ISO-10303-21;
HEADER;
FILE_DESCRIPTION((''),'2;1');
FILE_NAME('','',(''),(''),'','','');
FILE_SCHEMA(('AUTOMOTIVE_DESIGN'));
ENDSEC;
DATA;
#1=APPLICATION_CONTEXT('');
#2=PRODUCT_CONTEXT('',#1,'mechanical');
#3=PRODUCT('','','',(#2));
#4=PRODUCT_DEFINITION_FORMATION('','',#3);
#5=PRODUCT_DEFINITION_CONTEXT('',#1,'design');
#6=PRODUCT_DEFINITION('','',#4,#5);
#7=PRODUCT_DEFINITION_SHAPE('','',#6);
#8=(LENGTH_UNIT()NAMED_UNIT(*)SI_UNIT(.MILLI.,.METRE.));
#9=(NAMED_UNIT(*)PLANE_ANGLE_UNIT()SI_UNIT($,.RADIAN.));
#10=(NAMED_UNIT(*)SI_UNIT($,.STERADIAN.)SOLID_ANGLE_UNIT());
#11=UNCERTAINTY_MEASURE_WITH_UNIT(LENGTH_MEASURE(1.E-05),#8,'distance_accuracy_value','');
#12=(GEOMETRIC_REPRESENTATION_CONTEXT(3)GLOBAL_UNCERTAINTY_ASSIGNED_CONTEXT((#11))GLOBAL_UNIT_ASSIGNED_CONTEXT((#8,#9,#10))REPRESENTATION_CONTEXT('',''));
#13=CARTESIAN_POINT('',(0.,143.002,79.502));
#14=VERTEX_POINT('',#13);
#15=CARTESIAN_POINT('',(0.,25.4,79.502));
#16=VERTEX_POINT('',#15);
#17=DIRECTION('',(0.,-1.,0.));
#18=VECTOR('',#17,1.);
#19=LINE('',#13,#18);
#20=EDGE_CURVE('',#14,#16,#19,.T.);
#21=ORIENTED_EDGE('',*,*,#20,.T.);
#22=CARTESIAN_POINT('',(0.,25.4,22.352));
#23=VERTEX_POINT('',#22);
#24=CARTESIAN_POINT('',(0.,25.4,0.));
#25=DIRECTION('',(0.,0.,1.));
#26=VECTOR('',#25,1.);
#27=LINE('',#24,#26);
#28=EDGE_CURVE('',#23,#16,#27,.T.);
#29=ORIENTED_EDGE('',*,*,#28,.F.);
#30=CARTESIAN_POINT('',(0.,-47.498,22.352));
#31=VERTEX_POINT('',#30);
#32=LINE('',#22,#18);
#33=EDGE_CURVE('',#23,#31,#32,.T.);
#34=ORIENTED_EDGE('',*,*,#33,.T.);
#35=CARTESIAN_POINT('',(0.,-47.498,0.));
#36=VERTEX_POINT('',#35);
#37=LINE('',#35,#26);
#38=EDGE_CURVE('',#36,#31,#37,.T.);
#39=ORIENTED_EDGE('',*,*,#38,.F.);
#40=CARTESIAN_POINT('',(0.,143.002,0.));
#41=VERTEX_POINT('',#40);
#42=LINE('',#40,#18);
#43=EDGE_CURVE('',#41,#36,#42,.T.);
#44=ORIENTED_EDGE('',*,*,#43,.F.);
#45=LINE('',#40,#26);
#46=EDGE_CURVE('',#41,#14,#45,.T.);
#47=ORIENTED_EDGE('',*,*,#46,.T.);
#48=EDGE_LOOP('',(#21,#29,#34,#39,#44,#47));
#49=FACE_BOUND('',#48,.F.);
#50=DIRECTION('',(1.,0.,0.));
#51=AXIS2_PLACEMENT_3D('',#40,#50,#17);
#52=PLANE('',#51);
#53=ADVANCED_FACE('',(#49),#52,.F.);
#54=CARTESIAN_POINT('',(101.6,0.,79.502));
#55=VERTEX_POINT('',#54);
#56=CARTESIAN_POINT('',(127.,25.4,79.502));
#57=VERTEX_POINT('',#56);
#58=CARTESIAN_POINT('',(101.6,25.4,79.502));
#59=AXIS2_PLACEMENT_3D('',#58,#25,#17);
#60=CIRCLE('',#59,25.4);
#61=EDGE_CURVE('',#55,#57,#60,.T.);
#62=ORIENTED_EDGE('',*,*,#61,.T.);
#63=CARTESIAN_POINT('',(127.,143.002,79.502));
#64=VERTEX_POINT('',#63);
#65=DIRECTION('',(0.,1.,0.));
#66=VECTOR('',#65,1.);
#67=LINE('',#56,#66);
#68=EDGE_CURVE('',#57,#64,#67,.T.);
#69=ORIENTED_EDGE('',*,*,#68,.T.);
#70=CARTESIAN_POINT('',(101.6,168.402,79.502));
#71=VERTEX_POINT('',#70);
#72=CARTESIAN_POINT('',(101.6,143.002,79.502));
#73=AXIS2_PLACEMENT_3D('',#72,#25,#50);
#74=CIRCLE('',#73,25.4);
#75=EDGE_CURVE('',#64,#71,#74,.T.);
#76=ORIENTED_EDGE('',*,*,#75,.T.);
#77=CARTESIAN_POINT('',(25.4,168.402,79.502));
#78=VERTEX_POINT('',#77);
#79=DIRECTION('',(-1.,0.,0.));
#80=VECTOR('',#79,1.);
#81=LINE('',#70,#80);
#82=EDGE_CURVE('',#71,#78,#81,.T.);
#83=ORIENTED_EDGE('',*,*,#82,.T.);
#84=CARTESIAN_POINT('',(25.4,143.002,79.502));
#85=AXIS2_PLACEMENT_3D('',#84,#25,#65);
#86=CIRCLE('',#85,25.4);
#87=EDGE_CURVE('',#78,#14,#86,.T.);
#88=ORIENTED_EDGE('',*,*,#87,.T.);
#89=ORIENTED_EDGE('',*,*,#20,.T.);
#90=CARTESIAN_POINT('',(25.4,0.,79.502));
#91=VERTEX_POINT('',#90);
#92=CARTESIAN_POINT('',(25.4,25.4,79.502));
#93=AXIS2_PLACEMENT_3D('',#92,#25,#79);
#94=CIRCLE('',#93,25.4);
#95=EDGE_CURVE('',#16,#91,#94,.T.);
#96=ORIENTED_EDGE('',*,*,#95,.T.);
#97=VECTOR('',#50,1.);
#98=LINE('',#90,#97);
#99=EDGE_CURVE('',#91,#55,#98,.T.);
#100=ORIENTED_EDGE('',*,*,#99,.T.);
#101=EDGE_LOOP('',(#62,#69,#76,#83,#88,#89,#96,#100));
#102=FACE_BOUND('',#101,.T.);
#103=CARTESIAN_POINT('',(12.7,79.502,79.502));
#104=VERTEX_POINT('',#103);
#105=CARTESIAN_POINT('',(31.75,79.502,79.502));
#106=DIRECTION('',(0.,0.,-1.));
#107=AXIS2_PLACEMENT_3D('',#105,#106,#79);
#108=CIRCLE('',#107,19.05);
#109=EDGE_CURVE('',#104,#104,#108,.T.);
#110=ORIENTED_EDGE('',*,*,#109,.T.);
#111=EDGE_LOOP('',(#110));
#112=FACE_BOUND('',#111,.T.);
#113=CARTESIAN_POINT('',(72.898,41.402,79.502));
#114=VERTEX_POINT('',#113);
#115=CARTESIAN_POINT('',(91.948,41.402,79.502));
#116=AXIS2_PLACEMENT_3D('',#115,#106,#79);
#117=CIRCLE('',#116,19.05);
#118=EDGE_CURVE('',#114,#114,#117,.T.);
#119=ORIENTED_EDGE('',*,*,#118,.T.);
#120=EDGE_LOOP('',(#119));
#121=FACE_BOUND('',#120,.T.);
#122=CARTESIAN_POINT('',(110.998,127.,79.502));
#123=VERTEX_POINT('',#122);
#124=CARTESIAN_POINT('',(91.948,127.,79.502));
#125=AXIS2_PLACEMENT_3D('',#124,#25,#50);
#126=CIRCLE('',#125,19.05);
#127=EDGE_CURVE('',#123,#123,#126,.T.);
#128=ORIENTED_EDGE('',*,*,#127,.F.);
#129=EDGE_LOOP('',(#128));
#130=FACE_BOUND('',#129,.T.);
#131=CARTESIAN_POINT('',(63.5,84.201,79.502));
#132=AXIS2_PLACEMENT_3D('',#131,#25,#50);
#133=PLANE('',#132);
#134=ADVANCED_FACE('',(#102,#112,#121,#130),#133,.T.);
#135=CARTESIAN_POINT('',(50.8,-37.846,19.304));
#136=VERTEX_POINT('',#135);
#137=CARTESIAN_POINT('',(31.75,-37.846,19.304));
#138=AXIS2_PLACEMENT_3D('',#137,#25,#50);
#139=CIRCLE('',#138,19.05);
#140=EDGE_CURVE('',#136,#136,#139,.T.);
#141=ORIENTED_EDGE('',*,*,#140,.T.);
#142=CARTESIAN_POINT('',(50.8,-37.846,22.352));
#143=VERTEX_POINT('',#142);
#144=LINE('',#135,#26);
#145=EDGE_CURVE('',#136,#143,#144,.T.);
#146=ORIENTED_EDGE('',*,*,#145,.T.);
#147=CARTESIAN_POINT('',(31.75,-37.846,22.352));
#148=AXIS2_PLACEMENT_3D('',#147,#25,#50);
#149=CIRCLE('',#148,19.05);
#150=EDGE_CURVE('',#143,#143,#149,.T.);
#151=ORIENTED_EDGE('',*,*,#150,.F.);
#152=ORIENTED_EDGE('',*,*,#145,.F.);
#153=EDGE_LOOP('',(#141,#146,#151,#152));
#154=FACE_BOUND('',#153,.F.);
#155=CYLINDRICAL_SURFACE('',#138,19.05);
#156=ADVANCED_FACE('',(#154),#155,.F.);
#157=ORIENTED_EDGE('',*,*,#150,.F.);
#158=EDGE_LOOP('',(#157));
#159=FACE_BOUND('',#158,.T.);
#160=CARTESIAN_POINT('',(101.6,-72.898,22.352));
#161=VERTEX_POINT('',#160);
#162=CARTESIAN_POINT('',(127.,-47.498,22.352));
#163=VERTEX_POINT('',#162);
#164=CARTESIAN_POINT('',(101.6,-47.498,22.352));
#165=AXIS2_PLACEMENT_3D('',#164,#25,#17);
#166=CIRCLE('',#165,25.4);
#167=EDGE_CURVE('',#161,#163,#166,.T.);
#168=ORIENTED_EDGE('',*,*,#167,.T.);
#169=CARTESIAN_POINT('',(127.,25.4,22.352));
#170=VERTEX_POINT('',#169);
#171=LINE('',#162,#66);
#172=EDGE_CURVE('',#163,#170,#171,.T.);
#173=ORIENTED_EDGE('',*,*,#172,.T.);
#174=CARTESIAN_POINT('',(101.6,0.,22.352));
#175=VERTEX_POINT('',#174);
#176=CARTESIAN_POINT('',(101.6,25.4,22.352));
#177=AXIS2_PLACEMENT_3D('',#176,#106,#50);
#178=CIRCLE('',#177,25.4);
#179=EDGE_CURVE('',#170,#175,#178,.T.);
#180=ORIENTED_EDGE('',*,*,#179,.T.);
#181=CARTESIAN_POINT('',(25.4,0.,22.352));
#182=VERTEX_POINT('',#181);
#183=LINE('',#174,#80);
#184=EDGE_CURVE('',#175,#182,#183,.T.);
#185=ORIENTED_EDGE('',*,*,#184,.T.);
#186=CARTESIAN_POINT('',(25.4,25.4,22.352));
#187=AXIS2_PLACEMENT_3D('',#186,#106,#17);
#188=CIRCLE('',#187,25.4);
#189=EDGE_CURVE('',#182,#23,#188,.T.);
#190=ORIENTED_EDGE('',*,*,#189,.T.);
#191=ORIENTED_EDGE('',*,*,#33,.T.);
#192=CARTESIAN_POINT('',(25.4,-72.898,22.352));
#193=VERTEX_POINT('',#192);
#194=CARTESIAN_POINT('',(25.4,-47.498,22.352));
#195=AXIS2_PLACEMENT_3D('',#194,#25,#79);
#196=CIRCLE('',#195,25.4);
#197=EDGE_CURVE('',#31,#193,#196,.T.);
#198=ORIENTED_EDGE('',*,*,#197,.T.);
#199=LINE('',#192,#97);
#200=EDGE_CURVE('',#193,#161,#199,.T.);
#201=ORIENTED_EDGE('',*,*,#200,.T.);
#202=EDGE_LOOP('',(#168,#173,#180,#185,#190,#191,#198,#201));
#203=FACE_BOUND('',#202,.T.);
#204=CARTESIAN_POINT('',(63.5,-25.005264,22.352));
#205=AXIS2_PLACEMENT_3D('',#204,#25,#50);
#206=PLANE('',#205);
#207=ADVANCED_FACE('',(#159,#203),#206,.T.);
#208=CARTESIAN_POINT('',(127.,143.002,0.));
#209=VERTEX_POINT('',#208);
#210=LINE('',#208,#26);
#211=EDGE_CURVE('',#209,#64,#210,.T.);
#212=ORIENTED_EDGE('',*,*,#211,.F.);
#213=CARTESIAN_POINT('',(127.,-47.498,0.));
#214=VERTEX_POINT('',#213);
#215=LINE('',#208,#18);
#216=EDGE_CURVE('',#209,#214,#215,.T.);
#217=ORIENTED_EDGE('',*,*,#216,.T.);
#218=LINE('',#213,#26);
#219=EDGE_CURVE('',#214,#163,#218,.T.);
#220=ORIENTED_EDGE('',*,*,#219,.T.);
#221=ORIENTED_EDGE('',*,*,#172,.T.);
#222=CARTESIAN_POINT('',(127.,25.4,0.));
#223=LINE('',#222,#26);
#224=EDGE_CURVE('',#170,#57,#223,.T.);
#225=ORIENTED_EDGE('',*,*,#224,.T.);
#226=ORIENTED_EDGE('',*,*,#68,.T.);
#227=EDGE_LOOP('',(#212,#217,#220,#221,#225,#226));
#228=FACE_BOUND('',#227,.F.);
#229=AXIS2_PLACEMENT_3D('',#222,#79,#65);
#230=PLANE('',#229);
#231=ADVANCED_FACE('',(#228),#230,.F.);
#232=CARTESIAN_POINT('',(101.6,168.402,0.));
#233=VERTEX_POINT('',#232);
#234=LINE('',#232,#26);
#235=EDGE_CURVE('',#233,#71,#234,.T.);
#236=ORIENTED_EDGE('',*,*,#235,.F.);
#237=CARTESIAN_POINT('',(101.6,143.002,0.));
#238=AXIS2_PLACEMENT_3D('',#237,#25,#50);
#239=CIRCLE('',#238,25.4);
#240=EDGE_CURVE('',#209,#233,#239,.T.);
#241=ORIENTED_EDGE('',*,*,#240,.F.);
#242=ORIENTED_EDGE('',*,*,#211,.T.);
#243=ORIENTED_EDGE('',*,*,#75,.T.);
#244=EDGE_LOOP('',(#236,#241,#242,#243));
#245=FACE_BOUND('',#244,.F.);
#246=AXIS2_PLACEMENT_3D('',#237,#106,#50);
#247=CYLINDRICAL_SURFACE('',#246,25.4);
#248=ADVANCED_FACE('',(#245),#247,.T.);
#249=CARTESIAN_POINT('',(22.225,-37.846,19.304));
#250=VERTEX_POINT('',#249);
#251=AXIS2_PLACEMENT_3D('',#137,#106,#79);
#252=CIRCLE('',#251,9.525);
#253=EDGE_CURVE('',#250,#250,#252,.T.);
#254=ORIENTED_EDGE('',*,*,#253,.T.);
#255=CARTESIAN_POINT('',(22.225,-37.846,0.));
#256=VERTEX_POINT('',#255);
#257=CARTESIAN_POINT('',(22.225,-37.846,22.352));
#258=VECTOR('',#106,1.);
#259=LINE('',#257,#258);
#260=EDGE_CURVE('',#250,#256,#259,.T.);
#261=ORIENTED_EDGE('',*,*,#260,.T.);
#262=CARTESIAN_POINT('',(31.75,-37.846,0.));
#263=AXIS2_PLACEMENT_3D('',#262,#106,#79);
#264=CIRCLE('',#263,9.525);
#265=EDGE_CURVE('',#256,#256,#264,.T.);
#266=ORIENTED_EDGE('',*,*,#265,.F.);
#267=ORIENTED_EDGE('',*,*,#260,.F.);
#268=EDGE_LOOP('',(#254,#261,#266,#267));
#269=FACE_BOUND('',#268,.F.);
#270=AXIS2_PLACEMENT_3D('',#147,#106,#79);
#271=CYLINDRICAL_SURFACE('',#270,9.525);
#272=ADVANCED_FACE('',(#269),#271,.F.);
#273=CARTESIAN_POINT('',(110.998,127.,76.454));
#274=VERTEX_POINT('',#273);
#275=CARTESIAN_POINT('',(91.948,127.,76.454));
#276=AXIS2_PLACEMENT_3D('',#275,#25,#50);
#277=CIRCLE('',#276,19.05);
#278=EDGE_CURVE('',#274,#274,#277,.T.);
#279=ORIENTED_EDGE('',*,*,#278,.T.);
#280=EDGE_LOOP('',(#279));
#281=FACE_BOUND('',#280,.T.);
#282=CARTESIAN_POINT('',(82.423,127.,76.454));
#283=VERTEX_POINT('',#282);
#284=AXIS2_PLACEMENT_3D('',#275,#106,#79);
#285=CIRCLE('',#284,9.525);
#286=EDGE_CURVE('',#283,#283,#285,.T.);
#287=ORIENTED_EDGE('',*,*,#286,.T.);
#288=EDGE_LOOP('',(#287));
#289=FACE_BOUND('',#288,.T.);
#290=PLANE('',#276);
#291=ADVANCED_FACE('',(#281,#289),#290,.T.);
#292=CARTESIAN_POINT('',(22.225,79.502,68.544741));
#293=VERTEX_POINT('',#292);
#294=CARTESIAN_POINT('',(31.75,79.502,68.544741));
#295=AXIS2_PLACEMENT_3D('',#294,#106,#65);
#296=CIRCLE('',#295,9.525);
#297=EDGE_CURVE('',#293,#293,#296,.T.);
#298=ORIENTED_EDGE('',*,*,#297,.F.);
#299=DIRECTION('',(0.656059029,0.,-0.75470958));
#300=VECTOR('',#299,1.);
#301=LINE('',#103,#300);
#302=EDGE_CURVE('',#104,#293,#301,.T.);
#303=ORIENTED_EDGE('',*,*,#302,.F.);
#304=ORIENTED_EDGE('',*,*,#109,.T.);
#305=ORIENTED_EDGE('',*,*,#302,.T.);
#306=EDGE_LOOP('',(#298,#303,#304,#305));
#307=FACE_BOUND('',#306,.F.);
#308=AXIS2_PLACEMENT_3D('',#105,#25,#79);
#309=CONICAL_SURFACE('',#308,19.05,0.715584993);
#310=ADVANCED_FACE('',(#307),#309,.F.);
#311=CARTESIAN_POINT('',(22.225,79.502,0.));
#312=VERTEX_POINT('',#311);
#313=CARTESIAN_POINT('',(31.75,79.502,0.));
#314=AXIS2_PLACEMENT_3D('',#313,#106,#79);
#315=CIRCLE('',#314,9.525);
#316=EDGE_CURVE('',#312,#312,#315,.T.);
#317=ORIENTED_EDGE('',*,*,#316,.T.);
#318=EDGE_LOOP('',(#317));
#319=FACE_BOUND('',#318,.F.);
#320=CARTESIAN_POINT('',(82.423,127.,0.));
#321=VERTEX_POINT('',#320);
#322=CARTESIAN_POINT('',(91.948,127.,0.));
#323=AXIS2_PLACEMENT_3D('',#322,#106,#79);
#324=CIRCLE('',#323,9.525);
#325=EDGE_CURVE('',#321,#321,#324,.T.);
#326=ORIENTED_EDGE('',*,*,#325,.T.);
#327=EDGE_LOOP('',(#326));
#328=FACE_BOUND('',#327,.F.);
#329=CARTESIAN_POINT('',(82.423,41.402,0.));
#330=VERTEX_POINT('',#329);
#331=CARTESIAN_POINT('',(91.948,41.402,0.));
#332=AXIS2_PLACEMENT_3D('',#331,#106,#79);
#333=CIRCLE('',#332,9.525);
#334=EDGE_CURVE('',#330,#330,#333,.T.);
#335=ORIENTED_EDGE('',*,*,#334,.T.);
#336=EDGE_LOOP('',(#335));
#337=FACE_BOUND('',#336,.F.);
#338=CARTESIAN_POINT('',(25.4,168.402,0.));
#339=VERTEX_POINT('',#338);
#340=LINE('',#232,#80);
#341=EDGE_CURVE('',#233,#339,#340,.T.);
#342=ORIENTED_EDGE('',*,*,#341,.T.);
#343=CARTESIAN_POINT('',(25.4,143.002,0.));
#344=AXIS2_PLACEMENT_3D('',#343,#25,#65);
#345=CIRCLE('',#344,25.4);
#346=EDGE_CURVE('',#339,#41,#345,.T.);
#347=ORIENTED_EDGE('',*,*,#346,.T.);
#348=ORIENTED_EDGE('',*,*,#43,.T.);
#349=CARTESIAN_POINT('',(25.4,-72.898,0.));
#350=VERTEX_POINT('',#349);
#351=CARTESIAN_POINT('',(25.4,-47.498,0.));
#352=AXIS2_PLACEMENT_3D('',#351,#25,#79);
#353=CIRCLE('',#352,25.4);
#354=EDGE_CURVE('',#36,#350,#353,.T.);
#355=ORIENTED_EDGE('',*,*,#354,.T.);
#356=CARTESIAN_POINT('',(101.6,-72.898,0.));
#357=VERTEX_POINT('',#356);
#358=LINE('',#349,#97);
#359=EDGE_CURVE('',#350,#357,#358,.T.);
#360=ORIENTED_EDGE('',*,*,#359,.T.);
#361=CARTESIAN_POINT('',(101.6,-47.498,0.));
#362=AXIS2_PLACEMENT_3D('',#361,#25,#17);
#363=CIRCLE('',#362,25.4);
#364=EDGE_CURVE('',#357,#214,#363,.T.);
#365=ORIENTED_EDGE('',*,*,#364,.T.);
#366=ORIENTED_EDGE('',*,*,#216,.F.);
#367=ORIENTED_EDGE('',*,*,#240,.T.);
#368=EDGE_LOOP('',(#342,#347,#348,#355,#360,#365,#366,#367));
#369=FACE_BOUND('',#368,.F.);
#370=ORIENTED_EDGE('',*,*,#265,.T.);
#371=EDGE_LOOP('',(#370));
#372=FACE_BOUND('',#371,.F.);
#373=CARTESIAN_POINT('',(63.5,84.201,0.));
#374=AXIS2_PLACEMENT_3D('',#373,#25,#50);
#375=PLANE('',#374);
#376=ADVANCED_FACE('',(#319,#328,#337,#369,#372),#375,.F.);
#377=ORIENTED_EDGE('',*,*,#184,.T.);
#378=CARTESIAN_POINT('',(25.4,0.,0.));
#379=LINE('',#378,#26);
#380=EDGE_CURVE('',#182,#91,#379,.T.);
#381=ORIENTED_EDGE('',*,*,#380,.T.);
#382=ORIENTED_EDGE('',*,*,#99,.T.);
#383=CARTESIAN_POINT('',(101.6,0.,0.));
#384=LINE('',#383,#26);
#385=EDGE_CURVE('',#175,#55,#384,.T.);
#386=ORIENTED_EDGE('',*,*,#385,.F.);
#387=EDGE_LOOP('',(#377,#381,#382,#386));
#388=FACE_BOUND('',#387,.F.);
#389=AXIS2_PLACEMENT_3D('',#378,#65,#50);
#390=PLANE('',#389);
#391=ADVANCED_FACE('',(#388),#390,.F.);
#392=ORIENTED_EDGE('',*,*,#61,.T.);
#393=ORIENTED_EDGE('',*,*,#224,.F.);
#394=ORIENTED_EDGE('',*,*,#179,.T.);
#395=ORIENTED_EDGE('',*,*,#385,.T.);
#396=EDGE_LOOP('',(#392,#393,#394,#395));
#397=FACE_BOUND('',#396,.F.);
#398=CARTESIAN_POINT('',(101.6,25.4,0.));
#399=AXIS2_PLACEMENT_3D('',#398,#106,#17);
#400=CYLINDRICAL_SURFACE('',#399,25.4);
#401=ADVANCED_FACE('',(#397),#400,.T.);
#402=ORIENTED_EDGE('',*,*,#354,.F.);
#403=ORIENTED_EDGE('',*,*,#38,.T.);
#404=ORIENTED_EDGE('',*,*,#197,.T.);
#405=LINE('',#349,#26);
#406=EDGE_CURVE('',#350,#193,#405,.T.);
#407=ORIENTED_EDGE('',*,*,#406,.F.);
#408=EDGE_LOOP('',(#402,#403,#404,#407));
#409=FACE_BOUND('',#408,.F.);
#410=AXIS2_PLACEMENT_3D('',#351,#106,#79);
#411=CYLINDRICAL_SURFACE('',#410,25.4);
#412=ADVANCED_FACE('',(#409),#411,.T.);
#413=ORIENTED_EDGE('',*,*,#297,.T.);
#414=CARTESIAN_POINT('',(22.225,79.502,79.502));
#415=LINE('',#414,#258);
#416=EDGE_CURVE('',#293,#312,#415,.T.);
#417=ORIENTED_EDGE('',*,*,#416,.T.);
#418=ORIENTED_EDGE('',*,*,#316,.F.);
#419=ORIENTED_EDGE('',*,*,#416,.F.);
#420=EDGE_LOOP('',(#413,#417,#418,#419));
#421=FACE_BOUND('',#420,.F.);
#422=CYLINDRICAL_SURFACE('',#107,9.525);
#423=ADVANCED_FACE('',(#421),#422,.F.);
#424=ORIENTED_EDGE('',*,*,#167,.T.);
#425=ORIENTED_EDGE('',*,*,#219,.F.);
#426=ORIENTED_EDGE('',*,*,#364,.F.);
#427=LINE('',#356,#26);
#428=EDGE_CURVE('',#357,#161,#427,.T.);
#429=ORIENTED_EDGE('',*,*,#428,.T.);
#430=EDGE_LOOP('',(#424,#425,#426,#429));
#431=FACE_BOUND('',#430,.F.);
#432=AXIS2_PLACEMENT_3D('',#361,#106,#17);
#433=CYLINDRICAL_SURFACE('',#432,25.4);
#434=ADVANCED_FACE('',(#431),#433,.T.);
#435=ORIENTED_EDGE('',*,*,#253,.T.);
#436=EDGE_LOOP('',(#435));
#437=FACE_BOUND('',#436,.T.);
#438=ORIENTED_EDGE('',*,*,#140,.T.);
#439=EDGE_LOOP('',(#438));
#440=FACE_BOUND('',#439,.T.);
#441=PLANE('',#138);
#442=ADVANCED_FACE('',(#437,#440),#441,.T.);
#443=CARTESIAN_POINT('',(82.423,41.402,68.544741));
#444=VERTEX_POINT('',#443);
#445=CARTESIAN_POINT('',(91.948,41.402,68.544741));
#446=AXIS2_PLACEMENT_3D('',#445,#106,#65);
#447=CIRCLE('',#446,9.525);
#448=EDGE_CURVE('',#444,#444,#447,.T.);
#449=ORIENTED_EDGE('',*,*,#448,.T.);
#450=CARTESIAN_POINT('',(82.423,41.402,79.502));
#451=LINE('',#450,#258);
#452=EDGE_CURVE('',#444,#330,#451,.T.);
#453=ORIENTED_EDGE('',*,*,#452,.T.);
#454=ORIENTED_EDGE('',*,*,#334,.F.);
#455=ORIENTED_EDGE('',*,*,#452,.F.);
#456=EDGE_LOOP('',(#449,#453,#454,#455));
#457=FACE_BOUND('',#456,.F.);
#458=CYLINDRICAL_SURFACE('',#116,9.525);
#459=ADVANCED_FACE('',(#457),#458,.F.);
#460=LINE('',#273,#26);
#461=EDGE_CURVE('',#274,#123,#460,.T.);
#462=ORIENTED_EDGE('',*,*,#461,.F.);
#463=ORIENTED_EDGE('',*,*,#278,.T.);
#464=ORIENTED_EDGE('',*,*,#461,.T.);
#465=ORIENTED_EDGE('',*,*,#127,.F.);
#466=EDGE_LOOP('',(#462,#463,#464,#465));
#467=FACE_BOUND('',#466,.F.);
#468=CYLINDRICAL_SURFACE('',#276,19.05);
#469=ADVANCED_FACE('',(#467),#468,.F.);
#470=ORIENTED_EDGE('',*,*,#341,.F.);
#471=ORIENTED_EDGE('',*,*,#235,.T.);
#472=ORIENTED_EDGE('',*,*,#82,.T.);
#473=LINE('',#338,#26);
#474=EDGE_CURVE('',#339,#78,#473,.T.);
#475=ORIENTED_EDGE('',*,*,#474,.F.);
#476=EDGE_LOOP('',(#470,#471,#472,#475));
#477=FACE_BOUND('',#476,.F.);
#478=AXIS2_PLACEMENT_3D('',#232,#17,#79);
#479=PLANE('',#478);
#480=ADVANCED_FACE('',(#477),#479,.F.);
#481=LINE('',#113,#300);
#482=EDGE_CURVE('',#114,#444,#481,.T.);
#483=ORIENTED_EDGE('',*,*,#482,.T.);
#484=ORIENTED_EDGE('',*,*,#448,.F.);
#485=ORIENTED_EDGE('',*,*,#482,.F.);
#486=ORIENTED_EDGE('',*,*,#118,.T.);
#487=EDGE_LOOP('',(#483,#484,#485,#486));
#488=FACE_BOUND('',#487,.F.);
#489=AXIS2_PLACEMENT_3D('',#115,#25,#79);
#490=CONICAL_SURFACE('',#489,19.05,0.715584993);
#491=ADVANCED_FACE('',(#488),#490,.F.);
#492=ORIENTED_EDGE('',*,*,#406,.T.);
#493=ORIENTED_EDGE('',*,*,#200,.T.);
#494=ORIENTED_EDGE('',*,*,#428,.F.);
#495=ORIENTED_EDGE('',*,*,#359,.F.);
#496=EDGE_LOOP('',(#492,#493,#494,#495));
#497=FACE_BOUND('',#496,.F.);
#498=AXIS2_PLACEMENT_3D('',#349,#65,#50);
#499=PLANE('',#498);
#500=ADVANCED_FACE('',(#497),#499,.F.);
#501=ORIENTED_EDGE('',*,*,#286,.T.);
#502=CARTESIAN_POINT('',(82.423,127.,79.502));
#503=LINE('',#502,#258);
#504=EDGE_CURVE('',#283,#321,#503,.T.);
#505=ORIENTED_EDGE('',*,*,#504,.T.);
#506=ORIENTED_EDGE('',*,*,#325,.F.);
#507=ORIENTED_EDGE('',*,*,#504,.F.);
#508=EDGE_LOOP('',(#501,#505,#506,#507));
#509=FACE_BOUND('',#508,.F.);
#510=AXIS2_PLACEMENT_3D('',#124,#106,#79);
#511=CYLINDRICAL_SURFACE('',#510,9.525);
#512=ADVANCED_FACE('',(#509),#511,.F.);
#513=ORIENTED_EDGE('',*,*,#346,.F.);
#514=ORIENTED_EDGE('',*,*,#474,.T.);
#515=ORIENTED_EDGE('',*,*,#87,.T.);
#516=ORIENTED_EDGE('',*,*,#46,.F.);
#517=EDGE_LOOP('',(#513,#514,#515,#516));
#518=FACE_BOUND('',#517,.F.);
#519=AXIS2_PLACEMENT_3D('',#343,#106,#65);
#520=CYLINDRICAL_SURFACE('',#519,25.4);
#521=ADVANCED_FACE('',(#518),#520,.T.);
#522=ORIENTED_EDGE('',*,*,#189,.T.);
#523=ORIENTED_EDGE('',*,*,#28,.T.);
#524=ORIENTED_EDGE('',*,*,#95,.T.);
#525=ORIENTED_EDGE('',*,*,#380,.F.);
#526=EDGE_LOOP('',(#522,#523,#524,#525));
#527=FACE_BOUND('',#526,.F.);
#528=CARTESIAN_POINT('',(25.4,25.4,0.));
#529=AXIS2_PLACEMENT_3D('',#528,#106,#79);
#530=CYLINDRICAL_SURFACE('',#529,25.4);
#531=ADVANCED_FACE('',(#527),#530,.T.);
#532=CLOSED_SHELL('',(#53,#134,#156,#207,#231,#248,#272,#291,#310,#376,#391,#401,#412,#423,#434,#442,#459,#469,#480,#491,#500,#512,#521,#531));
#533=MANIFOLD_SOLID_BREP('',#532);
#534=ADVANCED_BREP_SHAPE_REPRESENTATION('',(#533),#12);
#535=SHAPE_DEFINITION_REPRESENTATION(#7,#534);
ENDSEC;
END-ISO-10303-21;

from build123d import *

# Parameters (mm, degrees)
F1_DEPTH             = 22.352
F2_DEPTH             = 79.502
F5_D                 = 19.05
F5_CBORE_D           = 38.1
F5_CBORE_DEPTH       = 3.048
F5_ON_F4_D           = 19.05
F5_ON_F4_CBORE_D     = 38.1
F5_ON_F4_CBORE_DEPTH = 3.048
F6_D                 = 19.05
F6_CSINK_D           = 38.1
F6_CSINK_ANGLE       = 82


with BuildPart() as f1:
    # F0 (on Top) → F1 (new body)
    with BuildSketch(Plane.XY):
        with BuildLine():
            ThreePointArc((25.4, 0), (7.4394877579, 7.4394877579), (0, 25.4))
            Line((0, 25.4), (0, -47.498))
            ThreePointArc((0, -47.498), (7.4394877579, -65.4585122421), (25.4, -72.898))
            Line((25.4, -72.898), (101.6, -72.898))
            ThreePointArc((101.6, -72.898), (119.5605122421, -65.4585122421), (127, -47.498))
            Line((127, -47.498), (127, 25.4))
            ThreePointArc((127, 25.4), (119.5605122421, 7.4394877579), (101.6, 0))
            Line((101.6, 0), (25.4, 0))
        make_face()
    extrude(amount=F1_DEPTH)

    # F0 (on Top) → F2 (join)
    with BuildSketch(Plane.XY):
        with BuildLine():
            Line((0, 143.002), (0, 25.4))
            ThreePointArc((0, 25.4), (7.4394877579, 7.4394877579), (25.4, 0))
            Line((25.4, 0), (101.6, 0))
            ThreePointArc((101.6, 0), (119.5605122421, 7.4394877579), (127, 25.4))
            Line((127, 25.4), (127, 143.002))
            ThreePointArc((127, 143.002), (119.5605122421, 160.9625122421), (101.6, 168.402))
            Line((101.6, 168.402), (25.4, 168.402))
            ThreePointArc((25.4, 168.402), (7.4394877579, 160.9625122421), (0, 143.002))
        make_face()
    extrude(amount=F2_DEPTH)

    # F5 (through all)
    with Locations(Plane.XY.offset(79.502)):
        with Locations((91.948, 127)):
            CounterBoreHole(F5_D / 2, F5_CBORE_D / 2, F5_CBORE_DEPTH)

    # F5 on F4 (through all)
    with Locations(Plane.XY.offset(22.352)):
        with Locations((31.75, -37.846)):
            CounterBoreHole(F5_ON_F4_D / 2, F5_ON_F4_CBORE_D / 2, F5_ON_F4_CBORE_DEPTH)

    # F6 (through all)
    with Locations(Plane.XY.offset(79.502)):
        with Locations((31.75, 79.502), (91.948, 41.402)):
            CounterSinkHole(F6_D / 2, F6_CSINK_D / 2, counter_sink_angle=F6_CSINK_ANGLE)


solid = f1.part
